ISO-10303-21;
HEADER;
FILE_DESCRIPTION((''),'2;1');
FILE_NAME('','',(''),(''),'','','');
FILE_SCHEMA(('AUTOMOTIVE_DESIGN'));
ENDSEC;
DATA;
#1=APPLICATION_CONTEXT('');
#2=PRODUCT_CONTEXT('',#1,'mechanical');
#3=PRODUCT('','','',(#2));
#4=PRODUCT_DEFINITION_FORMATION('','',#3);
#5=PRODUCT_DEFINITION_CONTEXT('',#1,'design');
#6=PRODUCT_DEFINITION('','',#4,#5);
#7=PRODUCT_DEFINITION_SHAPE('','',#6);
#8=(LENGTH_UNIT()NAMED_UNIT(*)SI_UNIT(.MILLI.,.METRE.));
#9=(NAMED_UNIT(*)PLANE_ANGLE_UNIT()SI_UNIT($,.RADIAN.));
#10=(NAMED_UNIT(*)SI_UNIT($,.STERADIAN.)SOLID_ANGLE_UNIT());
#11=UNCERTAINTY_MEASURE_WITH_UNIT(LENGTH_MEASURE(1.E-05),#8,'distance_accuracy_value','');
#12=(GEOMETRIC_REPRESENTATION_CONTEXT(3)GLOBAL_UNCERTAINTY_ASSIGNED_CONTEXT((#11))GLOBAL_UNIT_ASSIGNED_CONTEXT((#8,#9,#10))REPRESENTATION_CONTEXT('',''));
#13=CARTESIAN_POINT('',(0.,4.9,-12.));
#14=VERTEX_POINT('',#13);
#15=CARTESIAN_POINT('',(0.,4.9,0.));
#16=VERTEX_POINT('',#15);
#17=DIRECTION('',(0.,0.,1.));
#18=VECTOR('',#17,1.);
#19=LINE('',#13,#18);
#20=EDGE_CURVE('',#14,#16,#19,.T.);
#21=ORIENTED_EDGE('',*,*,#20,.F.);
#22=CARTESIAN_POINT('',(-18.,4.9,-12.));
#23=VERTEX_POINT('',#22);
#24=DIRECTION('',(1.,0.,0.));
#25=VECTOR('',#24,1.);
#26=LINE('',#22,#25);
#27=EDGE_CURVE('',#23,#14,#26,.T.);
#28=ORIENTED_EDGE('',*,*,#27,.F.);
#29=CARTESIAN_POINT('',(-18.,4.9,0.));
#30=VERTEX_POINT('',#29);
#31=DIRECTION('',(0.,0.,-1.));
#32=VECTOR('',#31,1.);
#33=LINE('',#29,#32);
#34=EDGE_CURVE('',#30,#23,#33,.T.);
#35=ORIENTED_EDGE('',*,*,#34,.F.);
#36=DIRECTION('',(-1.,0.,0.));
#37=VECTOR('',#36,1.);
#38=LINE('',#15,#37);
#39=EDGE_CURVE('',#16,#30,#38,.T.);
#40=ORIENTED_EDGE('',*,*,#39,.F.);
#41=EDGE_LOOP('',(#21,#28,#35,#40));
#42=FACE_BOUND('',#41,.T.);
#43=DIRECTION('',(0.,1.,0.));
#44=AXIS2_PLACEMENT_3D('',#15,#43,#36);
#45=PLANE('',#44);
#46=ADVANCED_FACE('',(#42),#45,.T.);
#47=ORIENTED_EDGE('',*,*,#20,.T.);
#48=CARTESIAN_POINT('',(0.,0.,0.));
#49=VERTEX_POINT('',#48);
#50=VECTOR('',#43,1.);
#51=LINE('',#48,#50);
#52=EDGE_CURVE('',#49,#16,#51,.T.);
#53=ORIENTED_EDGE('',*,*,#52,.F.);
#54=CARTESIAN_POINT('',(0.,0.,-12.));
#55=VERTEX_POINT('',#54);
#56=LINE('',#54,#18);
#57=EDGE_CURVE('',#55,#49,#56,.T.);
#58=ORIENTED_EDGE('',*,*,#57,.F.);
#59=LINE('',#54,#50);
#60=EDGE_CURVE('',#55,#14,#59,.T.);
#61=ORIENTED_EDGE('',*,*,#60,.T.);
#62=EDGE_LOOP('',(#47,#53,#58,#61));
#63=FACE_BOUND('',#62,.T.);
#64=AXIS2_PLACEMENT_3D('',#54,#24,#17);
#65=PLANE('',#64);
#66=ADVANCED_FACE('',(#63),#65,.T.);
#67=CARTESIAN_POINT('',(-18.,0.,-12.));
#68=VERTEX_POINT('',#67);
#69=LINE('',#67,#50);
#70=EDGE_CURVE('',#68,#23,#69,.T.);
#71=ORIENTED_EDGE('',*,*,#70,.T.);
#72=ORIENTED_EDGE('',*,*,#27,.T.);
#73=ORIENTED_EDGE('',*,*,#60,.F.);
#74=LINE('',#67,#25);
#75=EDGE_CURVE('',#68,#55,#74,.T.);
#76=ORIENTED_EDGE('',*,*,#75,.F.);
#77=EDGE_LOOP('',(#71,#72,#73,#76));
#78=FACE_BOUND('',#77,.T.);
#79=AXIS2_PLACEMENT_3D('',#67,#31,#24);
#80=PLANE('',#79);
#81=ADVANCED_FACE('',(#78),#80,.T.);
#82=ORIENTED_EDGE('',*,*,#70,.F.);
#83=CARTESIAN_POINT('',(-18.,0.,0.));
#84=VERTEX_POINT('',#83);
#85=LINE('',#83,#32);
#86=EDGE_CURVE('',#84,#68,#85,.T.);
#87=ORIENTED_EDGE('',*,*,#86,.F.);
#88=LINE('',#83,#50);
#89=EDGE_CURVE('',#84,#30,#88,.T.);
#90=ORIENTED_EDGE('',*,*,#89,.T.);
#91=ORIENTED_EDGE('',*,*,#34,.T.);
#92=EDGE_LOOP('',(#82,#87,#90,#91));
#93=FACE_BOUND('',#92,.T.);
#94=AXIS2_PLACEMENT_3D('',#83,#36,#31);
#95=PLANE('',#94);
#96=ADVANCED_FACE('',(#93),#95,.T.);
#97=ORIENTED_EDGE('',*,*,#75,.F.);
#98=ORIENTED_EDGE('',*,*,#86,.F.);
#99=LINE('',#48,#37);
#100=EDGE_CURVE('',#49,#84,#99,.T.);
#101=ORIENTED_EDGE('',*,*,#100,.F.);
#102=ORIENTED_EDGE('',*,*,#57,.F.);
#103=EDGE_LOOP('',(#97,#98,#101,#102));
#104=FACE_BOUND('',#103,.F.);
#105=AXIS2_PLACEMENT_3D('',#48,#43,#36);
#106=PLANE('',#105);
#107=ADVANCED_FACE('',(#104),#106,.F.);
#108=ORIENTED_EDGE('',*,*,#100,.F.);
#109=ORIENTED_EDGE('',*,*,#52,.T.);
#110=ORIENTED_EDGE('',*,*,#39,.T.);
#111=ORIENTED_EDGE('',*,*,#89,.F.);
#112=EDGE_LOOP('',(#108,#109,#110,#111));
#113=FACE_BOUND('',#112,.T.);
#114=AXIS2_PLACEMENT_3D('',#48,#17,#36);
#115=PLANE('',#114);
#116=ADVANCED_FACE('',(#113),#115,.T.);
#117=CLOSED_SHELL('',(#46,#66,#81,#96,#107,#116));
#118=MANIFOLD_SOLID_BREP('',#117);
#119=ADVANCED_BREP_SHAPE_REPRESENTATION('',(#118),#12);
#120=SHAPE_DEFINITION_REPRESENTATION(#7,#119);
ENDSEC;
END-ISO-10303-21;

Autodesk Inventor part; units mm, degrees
ref_plane "YZ Plane" through (0, 0, 0) normal (1, 0, 0) x (0, 1, 0)
ref_plane "XZ Plane" through (0, 0, 0) normal (0, 1, 0) x (-1, 0, 0)
ref_plane "XY Plane" through (0, 0, 0) normal (0, 0, 1) x (1, 0, 0)
sketch "Sketch1" plane through (0, 0, 0) normal (0, 1, 0) x (-1, 0, 0)
  line L0 (0, 0) -> (18, 0)
  line L1 (18, 0) -> (18, -12)
  line L2 (18, -12) -> (0, -12)
  line L3 (0, -12) -> (0, 0)
  dimension "d0" = 18
  dimension "d1" = 12
extrude "Extrusion1" add sketch "Sketch1" along normal blind 4.9
properties part number "shim_5mm"
